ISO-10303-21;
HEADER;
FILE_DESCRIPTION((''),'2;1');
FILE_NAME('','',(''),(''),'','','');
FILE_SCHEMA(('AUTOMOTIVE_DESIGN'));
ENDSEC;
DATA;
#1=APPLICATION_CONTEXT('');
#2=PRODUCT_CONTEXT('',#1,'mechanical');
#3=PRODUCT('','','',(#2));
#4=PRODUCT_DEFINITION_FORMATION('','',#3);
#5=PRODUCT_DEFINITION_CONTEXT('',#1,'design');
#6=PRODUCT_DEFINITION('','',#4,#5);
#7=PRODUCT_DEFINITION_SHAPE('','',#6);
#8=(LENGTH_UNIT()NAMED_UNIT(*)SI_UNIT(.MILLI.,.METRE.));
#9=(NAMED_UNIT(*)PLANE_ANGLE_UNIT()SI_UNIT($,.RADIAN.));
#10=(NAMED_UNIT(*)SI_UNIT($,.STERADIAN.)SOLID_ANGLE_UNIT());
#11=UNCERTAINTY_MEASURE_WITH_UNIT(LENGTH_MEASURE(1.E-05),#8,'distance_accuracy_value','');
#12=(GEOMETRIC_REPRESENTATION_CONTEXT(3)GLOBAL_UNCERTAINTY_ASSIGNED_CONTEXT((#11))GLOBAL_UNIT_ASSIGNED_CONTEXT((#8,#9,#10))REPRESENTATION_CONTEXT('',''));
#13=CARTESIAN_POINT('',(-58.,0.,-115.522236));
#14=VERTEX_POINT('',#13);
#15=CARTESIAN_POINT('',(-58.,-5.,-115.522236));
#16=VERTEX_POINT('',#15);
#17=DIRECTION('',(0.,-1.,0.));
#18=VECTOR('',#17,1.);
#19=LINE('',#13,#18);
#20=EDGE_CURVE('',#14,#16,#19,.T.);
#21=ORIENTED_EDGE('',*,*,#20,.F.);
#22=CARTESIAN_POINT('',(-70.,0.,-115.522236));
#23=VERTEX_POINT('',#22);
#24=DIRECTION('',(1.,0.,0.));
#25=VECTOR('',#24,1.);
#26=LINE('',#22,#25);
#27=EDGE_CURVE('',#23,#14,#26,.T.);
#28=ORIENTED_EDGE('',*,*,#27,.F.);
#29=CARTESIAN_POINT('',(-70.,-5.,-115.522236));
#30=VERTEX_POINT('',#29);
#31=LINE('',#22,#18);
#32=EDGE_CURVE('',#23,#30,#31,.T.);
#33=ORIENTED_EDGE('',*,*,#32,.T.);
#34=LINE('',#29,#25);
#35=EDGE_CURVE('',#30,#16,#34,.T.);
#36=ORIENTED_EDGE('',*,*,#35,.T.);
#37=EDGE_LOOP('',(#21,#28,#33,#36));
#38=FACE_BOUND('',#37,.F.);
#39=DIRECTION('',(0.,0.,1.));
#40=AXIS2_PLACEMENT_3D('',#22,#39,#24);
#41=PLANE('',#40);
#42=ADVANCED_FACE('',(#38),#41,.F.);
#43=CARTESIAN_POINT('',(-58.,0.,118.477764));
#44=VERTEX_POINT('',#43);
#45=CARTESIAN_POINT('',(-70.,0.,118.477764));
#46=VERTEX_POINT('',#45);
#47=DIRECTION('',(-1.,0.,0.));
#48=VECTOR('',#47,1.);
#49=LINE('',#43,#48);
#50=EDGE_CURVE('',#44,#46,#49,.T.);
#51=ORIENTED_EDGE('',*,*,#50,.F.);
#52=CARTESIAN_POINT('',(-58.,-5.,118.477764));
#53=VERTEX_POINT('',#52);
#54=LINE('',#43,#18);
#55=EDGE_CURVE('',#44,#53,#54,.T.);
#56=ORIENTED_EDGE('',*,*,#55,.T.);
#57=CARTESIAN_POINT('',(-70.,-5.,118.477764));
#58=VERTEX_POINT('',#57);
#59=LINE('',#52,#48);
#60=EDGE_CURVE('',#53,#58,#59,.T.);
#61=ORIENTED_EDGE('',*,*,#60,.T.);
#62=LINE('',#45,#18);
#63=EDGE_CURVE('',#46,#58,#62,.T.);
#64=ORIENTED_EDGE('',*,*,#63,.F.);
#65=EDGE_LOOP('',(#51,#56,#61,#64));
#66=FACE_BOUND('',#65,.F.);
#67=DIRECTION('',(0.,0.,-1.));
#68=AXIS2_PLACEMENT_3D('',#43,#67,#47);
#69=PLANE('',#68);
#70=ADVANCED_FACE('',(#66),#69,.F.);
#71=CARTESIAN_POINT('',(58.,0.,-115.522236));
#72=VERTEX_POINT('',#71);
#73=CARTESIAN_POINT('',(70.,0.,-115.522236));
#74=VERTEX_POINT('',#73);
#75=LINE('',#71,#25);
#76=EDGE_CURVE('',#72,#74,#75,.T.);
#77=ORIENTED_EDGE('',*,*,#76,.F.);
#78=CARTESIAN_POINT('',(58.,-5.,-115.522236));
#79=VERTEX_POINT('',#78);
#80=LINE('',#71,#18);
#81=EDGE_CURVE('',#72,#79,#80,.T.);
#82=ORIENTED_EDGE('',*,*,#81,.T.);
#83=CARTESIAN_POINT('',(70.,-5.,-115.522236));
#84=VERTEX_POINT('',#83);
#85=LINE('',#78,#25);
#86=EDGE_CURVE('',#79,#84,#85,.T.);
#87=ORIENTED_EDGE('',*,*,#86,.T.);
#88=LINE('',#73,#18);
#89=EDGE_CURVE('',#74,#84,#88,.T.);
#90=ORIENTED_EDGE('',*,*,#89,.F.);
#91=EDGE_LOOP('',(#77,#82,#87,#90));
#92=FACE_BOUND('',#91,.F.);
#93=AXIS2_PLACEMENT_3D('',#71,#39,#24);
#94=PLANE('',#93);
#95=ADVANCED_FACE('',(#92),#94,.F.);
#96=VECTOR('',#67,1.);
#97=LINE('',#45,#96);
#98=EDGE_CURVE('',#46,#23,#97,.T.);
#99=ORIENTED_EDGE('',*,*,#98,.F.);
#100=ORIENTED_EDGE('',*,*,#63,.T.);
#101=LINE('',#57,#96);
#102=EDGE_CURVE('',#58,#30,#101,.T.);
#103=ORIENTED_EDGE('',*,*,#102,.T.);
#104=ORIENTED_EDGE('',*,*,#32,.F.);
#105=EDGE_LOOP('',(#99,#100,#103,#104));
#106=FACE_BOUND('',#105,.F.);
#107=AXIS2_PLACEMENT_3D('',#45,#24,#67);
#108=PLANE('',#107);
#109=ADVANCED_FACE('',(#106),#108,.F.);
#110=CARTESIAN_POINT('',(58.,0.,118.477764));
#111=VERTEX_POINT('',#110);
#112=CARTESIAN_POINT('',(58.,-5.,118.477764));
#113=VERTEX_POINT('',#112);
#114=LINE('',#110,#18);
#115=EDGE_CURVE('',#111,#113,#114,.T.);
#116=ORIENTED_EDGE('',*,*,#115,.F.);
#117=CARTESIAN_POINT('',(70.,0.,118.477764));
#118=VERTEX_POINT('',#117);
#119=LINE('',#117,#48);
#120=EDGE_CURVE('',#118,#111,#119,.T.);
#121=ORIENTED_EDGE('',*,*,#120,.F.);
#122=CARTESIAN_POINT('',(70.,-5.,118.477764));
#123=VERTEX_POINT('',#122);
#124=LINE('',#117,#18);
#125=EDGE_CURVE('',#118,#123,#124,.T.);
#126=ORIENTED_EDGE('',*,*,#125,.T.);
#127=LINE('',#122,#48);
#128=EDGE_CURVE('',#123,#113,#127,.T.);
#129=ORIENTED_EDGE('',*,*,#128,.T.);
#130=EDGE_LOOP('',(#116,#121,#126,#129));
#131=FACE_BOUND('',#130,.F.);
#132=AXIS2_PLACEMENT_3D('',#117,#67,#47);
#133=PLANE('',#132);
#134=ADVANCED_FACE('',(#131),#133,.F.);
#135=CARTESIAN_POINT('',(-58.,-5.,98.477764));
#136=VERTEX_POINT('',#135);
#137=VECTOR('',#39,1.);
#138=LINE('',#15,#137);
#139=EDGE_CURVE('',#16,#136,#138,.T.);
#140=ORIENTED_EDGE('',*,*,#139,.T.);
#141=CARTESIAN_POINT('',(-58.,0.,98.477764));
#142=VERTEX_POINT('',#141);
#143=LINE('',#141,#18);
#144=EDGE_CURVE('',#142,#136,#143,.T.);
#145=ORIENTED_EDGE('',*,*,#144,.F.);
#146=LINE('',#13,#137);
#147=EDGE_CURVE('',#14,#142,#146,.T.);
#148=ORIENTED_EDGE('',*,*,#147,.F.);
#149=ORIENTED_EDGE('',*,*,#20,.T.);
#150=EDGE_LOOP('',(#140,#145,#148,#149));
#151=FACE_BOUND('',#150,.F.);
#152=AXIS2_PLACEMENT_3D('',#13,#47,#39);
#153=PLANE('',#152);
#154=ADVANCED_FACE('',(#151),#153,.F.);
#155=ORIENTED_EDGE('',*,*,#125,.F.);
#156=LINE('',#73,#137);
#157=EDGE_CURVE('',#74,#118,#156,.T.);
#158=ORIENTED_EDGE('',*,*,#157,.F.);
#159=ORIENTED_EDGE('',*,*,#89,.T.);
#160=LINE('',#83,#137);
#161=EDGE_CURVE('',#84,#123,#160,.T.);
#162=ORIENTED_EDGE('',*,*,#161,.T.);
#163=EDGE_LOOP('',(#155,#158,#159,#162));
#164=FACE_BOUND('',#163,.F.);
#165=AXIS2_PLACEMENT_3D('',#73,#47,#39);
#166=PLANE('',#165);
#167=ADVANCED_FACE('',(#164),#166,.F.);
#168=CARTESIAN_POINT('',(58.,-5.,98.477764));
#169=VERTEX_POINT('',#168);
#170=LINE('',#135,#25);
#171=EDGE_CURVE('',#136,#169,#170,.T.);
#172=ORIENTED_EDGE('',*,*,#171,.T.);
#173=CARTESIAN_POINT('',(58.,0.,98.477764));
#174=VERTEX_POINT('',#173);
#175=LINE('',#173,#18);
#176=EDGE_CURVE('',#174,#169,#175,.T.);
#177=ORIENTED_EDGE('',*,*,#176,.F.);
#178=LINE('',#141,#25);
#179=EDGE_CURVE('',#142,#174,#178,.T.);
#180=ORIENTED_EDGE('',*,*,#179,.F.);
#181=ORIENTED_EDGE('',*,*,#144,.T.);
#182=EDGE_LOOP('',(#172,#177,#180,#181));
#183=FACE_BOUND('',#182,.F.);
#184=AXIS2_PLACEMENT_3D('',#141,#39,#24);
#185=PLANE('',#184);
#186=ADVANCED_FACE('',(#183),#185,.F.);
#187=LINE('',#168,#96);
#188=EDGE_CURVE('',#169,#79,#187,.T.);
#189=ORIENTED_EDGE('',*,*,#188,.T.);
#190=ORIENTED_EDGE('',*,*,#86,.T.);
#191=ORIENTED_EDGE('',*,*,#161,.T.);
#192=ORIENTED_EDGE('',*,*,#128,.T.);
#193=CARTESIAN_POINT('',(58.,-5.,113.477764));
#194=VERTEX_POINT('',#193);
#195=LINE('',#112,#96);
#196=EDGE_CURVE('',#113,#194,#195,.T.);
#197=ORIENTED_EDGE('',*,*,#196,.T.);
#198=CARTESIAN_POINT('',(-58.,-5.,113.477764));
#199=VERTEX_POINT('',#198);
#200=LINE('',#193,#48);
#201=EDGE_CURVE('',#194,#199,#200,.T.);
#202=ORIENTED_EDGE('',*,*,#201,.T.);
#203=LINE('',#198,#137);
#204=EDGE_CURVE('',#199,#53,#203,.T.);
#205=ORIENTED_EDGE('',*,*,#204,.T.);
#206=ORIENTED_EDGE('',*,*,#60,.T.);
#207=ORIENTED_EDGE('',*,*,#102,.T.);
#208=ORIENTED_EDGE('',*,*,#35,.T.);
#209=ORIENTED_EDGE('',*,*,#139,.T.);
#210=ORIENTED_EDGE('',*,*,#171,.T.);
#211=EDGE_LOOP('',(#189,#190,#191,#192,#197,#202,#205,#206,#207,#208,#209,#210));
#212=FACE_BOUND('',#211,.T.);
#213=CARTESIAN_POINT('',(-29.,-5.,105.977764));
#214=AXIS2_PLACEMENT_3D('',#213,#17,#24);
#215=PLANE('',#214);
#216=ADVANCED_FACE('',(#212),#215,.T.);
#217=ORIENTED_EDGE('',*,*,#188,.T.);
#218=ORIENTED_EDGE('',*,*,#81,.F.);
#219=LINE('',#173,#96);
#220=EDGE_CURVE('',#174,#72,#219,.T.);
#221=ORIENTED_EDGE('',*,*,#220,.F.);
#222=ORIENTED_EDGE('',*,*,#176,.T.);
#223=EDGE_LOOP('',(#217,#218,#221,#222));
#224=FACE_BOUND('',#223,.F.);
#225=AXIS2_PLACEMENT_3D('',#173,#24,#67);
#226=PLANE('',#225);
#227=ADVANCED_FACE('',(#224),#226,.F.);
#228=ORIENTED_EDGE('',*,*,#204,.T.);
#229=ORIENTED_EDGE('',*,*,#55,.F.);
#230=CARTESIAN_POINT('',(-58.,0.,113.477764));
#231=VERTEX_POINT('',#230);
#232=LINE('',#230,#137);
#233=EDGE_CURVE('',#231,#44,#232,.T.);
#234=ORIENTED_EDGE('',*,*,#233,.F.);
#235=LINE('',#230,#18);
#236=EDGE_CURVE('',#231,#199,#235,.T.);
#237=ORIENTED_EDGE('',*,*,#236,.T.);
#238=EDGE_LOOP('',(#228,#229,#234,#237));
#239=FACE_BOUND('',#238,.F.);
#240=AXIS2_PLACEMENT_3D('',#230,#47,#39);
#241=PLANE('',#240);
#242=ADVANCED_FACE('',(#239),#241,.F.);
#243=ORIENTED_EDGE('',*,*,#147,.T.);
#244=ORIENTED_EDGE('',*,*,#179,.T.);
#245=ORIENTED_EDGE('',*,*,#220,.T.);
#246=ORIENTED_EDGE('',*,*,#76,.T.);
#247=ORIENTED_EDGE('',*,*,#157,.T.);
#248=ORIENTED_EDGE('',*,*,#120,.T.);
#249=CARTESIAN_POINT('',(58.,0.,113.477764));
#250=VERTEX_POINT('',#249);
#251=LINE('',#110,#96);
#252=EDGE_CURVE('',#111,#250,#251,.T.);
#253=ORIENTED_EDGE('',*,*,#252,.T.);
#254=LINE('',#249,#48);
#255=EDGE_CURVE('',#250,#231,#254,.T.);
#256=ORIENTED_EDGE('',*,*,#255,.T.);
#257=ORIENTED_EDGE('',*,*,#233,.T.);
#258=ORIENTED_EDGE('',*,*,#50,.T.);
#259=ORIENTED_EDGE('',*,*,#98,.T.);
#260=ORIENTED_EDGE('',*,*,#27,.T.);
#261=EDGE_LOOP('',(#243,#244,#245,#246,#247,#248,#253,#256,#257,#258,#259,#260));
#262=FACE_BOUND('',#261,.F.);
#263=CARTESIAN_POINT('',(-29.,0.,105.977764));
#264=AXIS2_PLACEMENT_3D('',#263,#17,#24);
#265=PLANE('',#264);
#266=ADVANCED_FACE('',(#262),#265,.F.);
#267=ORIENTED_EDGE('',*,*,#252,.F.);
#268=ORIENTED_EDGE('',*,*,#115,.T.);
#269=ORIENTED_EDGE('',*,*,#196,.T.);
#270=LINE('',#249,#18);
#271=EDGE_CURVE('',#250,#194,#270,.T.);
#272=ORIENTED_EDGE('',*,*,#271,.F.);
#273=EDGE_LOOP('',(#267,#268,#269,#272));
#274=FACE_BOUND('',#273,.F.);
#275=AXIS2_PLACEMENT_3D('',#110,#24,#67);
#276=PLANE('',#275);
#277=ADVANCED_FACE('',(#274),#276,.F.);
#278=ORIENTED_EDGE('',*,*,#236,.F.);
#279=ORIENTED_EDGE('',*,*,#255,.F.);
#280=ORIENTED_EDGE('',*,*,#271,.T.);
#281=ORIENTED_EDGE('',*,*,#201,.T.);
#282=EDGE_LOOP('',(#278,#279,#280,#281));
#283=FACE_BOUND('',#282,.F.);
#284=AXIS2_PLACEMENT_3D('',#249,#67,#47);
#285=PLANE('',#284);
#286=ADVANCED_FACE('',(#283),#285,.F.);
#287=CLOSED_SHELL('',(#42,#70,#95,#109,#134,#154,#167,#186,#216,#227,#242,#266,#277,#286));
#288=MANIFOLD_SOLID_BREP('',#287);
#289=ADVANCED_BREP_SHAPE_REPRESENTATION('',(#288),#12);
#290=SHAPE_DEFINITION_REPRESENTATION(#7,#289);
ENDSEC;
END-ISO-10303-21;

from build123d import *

# Parameters (mm, degrees)
F0_W     = 58
F0_H     = 15
F1_DEPTH = 5


with BuildPart() as f1:
    # F0 (on Front) → F1 (new body)
    with BuildSketch(Plane.XZ):
        with Locations((-29, 105.977764)):
            Rectangle(F0_W, F0_H)
        Polygon((-70, 118.477764), (-70, -115.522236), (-58, -115.522236), (-58, 98.477764), (-58, 113.477764), (-58, 118.477764), align=None)
        with Locations((29, 105.977764)):
            Rectangle(F0_W, F0_H)
        Polygon((58, 113.477764), (58, 98.477764), (58, -115.522236), (70, -115.522236), (70, 118.477764), (58, 118.477764), align=None)
    extrude(amount=F1_DEPTH)


solid = f1.part
